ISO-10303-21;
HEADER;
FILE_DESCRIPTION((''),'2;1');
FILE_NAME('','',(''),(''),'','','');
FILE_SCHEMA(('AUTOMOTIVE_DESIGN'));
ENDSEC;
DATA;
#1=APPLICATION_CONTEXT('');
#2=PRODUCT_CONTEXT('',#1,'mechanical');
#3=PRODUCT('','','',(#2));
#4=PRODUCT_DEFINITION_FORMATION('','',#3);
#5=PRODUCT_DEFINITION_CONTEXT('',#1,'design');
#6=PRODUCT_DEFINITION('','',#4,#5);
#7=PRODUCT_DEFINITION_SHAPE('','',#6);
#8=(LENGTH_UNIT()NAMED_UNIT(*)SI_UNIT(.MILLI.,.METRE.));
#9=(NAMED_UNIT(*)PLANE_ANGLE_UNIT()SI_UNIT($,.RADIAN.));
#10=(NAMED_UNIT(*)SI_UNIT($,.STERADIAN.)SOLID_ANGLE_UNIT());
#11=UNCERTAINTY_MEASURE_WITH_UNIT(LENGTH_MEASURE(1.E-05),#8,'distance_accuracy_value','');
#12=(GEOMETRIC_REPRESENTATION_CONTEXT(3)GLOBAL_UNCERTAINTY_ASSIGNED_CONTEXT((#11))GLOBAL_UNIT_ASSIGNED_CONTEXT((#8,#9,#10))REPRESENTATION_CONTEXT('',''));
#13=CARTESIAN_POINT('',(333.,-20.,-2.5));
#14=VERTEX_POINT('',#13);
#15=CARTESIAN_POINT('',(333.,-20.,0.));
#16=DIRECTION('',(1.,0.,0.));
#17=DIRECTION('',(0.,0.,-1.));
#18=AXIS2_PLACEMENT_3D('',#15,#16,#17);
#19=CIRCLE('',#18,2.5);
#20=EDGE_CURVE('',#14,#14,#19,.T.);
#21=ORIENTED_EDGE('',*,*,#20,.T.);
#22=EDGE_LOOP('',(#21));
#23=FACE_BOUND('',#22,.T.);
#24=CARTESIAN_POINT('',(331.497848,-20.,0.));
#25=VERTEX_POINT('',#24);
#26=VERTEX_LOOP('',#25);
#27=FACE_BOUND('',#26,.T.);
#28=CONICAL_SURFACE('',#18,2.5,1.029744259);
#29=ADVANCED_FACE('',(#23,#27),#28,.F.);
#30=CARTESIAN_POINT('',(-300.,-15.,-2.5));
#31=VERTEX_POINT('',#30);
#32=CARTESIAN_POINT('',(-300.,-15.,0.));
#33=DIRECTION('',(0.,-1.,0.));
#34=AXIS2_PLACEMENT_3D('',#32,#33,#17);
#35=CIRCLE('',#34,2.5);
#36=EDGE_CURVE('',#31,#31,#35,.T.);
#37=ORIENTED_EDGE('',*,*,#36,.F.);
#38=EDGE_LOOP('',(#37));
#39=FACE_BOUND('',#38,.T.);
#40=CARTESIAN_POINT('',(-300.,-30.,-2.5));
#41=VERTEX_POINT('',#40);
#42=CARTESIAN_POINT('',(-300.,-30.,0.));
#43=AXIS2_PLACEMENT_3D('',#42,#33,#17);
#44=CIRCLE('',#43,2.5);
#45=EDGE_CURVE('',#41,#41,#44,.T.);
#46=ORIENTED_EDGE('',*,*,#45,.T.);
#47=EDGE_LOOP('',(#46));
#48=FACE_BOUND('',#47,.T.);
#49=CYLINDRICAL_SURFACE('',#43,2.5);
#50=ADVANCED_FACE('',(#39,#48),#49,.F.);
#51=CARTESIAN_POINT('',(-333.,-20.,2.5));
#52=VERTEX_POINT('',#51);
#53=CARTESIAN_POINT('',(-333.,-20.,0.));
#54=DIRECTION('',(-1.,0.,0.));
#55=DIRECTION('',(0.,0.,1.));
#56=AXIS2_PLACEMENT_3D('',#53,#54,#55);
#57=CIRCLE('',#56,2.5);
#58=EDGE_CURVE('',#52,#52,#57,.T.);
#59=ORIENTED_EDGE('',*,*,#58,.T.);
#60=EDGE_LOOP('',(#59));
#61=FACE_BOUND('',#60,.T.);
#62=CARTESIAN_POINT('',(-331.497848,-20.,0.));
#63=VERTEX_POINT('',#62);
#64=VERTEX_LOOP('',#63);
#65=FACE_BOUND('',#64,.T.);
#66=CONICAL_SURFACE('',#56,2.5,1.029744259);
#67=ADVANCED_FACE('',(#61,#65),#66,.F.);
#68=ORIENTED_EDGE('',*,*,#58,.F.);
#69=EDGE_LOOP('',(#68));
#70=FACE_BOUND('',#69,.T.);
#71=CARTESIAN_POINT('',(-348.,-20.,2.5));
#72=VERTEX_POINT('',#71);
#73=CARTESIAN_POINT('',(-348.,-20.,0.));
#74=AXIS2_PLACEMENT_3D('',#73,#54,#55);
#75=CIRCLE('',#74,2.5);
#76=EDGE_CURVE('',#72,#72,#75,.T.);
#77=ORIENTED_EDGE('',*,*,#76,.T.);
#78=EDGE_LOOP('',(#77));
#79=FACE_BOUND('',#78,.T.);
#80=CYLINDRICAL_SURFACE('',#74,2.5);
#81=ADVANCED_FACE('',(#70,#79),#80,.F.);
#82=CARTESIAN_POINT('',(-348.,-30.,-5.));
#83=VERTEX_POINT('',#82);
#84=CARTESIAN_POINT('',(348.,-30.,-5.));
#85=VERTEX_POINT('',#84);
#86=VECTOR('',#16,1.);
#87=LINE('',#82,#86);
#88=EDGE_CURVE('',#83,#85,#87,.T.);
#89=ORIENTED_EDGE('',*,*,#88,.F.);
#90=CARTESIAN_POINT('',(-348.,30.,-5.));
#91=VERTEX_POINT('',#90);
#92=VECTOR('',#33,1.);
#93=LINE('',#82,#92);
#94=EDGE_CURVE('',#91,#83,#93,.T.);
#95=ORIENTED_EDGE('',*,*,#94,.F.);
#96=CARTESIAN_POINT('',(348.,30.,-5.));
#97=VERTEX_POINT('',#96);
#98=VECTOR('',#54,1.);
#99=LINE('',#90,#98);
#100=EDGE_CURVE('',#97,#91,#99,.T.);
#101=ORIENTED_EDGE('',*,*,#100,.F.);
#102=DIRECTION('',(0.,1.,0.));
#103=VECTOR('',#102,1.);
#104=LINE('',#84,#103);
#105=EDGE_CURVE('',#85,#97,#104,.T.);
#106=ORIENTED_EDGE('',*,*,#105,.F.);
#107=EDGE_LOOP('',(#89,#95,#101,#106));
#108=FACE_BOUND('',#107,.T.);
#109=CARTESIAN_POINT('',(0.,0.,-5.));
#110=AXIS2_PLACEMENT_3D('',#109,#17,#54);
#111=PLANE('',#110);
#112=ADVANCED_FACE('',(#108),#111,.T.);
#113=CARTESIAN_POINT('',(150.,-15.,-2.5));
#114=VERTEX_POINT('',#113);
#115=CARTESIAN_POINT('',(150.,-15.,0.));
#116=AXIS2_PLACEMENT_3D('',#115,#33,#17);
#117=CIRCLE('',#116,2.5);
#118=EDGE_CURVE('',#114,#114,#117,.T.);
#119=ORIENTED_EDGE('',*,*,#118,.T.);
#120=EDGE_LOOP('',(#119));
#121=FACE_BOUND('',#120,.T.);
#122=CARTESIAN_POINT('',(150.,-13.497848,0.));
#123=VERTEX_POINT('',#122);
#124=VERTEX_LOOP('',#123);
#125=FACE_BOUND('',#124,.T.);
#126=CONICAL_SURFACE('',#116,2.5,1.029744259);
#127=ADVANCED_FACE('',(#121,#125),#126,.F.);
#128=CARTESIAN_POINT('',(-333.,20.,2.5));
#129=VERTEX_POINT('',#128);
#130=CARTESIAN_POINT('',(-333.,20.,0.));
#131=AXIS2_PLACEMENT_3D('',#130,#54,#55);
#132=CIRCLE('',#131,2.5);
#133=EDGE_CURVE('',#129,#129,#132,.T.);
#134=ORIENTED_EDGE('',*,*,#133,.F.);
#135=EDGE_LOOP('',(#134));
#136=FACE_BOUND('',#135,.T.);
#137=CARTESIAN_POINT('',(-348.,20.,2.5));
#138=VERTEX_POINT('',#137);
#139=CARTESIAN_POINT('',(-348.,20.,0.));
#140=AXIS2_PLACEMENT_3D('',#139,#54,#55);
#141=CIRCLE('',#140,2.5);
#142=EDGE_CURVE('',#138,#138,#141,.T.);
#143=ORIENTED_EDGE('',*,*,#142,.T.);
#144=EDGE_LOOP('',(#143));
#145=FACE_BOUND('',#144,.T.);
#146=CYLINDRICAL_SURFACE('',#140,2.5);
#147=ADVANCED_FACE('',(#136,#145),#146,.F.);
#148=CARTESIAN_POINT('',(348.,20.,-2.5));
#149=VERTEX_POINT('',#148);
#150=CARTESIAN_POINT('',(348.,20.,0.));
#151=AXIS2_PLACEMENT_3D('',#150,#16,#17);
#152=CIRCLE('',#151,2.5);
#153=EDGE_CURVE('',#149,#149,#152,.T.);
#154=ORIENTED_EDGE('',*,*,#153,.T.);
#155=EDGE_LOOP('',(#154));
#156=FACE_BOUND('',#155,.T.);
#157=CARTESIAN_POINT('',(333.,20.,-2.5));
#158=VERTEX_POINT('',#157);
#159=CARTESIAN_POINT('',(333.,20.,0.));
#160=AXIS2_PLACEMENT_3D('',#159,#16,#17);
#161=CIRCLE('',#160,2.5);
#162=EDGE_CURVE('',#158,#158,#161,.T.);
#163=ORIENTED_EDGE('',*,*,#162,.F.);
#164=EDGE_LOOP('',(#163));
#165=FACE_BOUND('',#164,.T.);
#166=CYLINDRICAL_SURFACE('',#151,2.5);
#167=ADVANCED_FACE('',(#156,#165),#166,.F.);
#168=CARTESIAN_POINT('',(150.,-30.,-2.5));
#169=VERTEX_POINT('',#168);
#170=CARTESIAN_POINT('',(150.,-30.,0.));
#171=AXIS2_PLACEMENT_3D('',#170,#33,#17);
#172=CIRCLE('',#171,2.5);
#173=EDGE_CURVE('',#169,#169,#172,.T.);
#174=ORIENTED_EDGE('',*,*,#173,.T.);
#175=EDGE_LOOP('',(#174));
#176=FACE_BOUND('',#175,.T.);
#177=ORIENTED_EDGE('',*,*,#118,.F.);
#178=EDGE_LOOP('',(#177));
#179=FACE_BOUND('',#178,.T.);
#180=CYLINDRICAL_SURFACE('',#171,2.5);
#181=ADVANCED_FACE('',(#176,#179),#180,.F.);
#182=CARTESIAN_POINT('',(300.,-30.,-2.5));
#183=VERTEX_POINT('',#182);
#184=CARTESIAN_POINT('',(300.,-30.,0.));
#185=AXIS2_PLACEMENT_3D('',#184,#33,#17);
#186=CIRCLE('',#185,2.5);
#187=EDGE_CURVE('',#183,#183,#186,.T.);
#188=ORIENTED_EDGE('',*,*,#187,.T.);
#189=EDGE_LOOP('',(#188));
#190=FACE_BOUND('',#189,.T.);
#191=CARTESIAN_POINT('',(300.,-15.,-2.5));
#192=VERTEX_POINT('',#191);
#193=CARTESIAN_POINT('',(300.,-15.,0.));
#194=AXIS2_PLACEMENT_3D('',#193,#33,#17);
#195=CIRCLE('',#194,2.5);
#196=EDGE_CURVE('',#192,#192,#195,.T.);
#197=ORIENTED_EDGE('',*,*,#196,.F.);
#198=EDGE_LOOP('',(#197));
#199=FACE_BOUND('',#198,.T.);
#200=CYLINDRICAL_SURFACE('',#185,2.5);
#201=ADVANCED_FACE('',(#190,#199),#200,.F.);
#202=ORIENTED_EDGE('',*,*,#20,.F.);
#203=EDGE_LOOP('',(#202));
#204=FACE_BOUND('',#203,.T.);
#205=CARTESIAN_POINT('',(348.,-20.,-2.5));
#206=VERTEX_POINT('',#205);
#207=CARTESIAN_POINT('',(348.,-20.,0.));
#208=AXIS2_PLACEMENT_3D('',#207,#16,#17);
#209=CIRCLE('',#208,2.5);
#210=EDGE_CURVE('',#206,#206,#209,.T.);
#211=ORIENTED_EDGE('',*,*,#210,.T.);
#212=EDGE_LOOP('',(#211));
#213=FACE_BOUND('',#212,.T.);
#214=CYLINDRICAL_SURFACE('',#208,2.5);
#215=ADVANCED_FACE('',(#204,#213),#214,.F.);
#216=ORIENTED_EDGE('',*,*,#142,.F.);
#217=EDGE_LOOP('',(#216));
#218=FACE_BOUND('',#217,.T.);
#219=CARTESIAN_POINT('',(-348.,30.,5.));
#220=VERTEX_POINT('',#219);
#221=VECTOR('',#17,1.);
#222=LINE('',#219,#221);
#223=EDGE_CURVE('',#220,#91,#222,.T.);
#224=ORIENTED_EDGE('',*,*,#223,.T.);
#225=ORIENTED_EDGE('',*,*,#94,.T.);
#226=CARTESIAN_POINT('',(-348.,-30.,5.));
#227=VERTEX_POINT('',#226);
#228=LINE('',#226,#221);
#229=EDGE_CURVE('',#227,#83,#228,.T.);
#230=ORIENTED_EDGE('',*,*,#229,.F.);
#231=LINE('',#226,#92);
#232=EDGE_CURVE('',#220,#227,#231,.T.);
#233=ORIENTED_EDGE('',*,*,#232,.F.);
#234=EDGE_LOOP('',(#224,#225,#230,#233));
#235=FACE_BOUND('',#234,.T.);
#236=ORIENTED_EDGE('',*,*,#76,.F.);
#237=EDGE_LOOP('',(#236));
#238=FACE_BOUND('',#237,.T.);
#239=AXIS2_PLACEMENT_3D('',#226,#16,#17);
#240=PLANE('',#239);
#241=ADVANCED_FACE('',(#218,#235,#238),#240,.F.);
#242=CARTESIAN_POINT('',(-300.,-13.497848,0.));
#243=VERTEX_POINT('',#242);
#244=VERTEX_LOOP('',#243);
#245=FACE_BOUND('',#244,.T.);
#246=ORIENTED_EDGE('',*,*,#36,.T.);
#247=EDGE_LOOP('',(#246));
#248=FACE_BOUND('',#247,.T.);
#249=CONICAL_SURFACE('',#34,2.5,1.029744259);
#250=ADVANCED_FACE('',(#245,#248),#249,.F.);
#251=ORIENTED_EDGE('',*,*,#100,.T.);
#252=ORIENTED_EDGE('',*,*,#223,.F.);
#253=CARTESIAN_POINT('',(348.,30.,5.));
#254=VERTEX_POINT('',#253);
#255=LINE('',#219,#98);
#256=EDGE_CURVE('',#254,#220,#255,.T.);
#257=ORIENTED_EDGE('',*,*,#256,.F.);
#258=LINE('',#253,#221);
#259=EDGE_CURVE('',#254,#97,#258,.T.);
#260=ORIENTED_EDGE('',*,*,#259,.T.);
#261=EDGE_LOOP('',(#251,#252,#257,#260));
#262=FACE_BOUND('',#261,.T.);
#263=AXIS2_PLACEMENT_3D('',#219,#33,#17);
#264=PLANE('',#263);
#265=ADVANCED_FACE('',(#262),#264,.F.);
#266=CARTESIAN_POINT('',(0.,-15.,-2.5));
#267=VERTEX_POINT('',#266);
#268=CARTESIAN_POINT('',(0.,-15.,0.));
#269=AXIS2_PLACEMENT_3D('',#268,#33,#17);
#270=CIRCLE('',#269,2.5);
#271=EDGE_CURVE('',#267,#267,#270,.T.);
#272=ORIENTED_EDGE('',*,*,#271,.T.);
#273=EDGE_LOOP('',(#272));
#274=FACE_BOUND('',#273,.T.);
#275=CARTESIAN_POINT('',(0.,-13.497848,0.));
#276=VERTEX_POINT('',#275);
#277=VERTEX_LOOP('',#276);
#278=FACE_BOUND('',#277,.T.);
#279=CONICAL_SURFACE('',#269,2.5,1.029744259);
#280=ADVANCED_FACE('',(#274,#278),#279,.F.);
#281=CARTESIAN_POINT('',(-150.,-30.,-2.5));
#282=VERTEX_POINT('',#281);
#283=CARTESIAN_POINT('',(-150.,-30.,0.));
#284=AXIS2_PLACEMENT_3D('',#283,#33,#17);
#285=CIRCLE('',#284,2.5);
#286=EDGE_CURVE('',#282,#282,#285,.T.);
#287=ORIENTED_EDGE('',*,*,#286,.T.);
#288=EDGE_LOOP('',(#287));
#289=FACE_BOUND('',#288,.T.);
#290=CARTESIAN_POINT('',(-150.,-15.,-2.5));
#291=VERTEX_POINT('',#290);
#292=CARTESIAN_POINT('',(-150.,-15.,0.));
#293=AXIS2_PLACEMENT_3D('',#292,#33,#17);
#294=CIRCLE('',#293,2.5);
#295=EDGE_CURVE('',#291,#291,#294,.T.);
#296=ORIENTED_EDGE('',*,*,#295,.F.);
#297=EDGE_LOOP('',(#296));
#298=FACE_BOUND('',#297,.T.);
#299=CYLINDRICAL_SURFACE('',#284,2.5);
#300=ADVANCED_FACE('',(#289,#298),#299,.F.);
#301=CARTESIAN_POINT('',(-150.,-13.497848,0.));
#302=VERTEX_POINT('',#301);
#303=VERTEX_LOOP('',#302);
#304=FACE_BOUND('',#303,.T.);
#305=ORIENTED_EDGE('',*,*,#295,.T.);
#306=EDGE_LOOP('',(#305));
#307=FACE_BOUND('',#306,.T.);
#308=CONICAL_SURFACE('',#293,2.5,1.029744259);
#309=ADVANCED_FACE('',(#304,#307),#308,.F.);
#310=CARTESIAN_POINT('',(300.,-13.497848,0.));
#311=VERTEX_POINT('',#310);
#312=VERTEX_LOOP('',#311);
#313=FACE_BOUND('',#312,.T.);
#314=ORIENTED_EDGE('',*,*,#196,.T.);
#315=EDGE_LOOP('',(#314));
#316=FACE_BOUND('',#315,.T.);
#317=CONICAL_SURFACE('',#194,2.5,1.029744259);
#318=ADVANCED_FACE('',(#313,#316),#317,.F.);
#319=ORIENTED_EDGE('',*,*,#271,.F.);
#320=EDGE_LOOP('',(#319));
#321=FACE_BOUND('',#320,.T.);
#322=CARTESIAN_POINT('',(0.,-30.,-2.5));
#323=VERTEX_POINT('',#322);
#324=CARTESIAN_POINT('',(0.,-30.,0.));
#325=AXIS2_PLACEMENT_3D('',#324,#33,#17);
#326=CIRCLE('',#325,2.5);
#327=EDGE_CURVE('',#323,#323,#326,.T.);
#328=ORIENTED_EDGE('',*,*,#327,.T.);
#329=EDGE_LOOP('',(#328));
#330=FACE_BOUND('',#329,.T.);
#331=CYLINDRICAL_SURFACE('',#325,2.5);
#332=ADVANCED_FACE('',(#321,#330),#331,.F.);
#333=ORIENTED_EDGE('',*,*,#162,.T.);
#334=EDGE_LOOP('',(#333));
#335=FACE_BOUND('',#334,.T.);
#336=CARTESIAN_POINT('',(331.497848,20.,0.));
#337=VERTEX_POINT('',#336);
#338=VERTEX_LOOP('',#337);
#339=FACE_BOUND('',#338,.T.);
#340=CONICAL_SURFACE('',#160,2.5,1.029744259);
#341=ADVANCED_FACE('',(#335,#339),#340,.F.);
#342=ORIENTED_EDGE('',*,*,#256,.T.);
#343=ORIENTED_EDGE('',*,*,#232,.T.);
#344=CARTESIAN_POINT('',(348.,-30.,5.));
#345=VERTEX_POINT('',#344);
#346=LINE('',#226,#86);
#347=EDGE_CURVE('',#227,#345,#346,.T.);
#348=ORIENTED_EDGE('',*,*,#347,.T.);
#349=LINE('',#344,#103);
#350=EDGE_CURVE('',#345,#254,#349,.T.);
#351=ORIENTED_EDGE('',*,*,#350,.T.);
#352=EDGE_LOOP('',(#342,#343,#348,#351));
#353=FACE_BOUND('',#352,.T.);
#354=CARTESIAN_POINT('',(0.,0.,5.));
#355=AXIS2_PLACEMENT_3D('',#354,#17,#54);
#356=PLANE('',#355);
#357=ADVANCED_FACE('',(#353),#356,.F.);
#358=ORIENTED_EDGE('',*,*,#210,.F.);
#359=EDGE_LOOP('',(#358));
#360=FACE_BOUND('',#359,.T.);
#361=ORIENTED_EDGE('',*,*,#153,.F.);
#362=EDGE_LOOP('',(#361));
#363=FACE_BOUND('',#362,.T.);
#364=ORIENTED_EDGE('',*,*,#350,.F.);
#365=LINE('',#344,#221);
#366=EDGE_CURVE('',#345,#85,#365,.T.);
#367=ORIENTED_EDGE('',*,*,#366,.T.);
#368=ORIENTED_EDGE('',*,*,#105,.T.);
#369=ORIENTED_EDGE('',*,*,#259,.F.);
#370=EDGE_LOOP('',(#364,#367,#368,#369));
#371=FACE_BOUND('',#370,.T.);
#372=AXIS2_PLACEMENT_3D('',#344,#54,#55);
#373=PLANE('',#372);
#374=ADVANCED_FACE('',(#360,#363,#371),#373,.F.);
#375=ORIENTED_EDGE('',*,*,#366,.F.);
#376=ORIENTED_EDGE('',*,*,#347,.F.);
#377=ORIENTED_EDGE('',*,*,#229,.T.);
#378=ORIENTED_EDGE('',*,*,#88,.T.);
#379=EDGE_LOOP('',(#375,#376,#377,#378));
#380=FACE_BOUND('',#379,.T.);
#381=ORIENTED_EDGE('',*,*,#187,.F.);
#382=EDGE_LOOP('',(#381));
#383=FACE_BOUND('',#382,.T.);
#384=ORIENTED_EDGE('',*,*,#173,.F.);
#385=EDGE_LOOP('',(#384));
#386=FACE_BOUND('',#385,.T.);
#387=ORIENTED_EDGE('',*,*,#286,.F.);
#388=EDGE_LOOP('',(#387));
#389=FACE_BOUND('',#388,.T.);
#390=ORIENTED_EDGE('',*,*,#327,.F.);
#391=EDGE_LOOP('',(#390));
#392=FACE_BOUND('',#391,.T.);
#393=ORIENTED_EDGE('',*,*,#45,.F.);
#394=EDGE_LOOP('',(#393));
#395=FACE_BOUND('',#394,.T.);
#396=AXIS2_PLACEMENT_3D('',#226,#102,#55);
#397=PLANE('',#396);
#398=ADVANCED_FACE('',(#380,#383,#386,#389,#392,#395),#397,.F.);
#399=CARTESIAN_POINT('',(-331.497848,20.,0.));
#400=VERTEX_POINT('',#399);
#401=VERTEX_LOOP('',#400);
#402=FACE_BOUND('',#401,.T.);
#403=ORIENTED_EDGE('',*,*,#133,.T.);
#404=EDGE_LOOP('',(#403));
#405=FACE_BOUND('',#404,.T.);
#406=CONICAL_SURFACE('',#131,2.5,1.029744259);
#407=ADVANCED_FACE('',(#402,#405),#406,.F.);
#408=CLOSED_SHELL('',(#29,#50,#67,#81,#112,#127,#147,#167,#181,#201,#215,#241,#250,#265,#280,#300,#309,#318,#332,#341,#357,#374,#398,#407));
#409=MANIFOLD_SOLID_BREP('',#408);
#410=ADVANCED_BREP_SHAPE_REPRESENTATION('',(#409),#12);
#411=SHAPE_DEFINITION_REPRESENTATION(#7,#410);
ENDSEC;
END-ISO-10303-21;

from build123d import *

# Parameters (mm, degrees)
SKETCH_1_W             = 696
SKETCH_1_H             = 60
EXTRUDE_1_DEPTH        = 5
PATTERN_LINEAR_1_COUNT = 2
PATTERN_LINEAR_1_PITCH = 40
HOLE_WIZARD_M6_1_D     = 5
HOLE_WIZARD_M6_1_DEPTH = 15
HOLE_WIZARD_M6_1_TIP   = 1.502151548


with BuildPart() as part:
    # 草图1 → 凸台-拉伸1 (new body, symmetric)
    with BuildSketch(Plane.XY):
        Rectangle(SKETCH_1_W, SKETCH_1_H)
    extrude(amount=EXTRUDE_1_DEPTH, both=True)

    # 草图11 → M6 螺纹孔2 (revolve, cut)
    with BuildSketch(Plane(origin=(348, 20, 0), x_dir=(0, 0, -1), z_dir=(0, 1, 0))):
        Polygon((0, 0), (0, 16.502151548), (2.5, 15), (2.5, 0), align=None)
    hole_wizard_m6_2 = revolve(axis=Axis((354.35, 20, 0), (-1, 0, 0)), mode=Mode.SUBTRACT)

    # 阵列(线性)1: M6 螺纹孔2 ×2
    with Locations(*[(0, -i * PATTERN_LINEAR_1_PITCH, 0) for i in range(1, PATTERN_LINEAR_1_COUNT)]):
        add(hole_wizard_m6_2, mode=Mode.SUBTRACT)

    # 镜向2: M6 螺纹孔2 across plane
    add(hole_wizard_m6_2.mirror(Plane(origin=(0, 0, 0), x_dir=(0, 0, 1), z_dir=(1, 0, 0))), mode=Mode.SUBTRACT)

    # 镜向2 copy 1 sketch → 镜向2 copy 1 (revolve, cut)
    with BuildSketch(Plane(origin=(-348, -20, 0), x_dir=(0, 0, -1), z_dir=(0, 1, 0))):
        Polygon((0, 0), (0, -16.502151548), (2.5, -15), (2.5, 0), align=None)
    revolve(axis=Axis((-354.35, -20, 0), (-1, 0, 0)), mode=Mode.SUBTRACT)

    # M6 螺纹孔1
    with Locations(Plane(origin=(-300, -30, 0), x_dir=(0, 0, -1), z_dir=(0, -1, 0))):
        with Locations((0, 0), (0, 150), (0, 450), (0, 600), (0, 300)):
            Hole(HOLE_WIZARD_M6_1_D / 2, depth=HOLE_WIZARD_M6_1_DEPTH)
            with Locations((0, 0, -(HOLE_WIZARD_M6_1_DEPTH + HOLE_WIZARD_M6_1_TIP / 2))):  # 118° drill point
                Cone(0, HOLE_WIZARD_M6_1_D / 2, HOLE_WIZARD_M6_1_TIP, mode=Mode.SUBTRACT)


solid = part.part
